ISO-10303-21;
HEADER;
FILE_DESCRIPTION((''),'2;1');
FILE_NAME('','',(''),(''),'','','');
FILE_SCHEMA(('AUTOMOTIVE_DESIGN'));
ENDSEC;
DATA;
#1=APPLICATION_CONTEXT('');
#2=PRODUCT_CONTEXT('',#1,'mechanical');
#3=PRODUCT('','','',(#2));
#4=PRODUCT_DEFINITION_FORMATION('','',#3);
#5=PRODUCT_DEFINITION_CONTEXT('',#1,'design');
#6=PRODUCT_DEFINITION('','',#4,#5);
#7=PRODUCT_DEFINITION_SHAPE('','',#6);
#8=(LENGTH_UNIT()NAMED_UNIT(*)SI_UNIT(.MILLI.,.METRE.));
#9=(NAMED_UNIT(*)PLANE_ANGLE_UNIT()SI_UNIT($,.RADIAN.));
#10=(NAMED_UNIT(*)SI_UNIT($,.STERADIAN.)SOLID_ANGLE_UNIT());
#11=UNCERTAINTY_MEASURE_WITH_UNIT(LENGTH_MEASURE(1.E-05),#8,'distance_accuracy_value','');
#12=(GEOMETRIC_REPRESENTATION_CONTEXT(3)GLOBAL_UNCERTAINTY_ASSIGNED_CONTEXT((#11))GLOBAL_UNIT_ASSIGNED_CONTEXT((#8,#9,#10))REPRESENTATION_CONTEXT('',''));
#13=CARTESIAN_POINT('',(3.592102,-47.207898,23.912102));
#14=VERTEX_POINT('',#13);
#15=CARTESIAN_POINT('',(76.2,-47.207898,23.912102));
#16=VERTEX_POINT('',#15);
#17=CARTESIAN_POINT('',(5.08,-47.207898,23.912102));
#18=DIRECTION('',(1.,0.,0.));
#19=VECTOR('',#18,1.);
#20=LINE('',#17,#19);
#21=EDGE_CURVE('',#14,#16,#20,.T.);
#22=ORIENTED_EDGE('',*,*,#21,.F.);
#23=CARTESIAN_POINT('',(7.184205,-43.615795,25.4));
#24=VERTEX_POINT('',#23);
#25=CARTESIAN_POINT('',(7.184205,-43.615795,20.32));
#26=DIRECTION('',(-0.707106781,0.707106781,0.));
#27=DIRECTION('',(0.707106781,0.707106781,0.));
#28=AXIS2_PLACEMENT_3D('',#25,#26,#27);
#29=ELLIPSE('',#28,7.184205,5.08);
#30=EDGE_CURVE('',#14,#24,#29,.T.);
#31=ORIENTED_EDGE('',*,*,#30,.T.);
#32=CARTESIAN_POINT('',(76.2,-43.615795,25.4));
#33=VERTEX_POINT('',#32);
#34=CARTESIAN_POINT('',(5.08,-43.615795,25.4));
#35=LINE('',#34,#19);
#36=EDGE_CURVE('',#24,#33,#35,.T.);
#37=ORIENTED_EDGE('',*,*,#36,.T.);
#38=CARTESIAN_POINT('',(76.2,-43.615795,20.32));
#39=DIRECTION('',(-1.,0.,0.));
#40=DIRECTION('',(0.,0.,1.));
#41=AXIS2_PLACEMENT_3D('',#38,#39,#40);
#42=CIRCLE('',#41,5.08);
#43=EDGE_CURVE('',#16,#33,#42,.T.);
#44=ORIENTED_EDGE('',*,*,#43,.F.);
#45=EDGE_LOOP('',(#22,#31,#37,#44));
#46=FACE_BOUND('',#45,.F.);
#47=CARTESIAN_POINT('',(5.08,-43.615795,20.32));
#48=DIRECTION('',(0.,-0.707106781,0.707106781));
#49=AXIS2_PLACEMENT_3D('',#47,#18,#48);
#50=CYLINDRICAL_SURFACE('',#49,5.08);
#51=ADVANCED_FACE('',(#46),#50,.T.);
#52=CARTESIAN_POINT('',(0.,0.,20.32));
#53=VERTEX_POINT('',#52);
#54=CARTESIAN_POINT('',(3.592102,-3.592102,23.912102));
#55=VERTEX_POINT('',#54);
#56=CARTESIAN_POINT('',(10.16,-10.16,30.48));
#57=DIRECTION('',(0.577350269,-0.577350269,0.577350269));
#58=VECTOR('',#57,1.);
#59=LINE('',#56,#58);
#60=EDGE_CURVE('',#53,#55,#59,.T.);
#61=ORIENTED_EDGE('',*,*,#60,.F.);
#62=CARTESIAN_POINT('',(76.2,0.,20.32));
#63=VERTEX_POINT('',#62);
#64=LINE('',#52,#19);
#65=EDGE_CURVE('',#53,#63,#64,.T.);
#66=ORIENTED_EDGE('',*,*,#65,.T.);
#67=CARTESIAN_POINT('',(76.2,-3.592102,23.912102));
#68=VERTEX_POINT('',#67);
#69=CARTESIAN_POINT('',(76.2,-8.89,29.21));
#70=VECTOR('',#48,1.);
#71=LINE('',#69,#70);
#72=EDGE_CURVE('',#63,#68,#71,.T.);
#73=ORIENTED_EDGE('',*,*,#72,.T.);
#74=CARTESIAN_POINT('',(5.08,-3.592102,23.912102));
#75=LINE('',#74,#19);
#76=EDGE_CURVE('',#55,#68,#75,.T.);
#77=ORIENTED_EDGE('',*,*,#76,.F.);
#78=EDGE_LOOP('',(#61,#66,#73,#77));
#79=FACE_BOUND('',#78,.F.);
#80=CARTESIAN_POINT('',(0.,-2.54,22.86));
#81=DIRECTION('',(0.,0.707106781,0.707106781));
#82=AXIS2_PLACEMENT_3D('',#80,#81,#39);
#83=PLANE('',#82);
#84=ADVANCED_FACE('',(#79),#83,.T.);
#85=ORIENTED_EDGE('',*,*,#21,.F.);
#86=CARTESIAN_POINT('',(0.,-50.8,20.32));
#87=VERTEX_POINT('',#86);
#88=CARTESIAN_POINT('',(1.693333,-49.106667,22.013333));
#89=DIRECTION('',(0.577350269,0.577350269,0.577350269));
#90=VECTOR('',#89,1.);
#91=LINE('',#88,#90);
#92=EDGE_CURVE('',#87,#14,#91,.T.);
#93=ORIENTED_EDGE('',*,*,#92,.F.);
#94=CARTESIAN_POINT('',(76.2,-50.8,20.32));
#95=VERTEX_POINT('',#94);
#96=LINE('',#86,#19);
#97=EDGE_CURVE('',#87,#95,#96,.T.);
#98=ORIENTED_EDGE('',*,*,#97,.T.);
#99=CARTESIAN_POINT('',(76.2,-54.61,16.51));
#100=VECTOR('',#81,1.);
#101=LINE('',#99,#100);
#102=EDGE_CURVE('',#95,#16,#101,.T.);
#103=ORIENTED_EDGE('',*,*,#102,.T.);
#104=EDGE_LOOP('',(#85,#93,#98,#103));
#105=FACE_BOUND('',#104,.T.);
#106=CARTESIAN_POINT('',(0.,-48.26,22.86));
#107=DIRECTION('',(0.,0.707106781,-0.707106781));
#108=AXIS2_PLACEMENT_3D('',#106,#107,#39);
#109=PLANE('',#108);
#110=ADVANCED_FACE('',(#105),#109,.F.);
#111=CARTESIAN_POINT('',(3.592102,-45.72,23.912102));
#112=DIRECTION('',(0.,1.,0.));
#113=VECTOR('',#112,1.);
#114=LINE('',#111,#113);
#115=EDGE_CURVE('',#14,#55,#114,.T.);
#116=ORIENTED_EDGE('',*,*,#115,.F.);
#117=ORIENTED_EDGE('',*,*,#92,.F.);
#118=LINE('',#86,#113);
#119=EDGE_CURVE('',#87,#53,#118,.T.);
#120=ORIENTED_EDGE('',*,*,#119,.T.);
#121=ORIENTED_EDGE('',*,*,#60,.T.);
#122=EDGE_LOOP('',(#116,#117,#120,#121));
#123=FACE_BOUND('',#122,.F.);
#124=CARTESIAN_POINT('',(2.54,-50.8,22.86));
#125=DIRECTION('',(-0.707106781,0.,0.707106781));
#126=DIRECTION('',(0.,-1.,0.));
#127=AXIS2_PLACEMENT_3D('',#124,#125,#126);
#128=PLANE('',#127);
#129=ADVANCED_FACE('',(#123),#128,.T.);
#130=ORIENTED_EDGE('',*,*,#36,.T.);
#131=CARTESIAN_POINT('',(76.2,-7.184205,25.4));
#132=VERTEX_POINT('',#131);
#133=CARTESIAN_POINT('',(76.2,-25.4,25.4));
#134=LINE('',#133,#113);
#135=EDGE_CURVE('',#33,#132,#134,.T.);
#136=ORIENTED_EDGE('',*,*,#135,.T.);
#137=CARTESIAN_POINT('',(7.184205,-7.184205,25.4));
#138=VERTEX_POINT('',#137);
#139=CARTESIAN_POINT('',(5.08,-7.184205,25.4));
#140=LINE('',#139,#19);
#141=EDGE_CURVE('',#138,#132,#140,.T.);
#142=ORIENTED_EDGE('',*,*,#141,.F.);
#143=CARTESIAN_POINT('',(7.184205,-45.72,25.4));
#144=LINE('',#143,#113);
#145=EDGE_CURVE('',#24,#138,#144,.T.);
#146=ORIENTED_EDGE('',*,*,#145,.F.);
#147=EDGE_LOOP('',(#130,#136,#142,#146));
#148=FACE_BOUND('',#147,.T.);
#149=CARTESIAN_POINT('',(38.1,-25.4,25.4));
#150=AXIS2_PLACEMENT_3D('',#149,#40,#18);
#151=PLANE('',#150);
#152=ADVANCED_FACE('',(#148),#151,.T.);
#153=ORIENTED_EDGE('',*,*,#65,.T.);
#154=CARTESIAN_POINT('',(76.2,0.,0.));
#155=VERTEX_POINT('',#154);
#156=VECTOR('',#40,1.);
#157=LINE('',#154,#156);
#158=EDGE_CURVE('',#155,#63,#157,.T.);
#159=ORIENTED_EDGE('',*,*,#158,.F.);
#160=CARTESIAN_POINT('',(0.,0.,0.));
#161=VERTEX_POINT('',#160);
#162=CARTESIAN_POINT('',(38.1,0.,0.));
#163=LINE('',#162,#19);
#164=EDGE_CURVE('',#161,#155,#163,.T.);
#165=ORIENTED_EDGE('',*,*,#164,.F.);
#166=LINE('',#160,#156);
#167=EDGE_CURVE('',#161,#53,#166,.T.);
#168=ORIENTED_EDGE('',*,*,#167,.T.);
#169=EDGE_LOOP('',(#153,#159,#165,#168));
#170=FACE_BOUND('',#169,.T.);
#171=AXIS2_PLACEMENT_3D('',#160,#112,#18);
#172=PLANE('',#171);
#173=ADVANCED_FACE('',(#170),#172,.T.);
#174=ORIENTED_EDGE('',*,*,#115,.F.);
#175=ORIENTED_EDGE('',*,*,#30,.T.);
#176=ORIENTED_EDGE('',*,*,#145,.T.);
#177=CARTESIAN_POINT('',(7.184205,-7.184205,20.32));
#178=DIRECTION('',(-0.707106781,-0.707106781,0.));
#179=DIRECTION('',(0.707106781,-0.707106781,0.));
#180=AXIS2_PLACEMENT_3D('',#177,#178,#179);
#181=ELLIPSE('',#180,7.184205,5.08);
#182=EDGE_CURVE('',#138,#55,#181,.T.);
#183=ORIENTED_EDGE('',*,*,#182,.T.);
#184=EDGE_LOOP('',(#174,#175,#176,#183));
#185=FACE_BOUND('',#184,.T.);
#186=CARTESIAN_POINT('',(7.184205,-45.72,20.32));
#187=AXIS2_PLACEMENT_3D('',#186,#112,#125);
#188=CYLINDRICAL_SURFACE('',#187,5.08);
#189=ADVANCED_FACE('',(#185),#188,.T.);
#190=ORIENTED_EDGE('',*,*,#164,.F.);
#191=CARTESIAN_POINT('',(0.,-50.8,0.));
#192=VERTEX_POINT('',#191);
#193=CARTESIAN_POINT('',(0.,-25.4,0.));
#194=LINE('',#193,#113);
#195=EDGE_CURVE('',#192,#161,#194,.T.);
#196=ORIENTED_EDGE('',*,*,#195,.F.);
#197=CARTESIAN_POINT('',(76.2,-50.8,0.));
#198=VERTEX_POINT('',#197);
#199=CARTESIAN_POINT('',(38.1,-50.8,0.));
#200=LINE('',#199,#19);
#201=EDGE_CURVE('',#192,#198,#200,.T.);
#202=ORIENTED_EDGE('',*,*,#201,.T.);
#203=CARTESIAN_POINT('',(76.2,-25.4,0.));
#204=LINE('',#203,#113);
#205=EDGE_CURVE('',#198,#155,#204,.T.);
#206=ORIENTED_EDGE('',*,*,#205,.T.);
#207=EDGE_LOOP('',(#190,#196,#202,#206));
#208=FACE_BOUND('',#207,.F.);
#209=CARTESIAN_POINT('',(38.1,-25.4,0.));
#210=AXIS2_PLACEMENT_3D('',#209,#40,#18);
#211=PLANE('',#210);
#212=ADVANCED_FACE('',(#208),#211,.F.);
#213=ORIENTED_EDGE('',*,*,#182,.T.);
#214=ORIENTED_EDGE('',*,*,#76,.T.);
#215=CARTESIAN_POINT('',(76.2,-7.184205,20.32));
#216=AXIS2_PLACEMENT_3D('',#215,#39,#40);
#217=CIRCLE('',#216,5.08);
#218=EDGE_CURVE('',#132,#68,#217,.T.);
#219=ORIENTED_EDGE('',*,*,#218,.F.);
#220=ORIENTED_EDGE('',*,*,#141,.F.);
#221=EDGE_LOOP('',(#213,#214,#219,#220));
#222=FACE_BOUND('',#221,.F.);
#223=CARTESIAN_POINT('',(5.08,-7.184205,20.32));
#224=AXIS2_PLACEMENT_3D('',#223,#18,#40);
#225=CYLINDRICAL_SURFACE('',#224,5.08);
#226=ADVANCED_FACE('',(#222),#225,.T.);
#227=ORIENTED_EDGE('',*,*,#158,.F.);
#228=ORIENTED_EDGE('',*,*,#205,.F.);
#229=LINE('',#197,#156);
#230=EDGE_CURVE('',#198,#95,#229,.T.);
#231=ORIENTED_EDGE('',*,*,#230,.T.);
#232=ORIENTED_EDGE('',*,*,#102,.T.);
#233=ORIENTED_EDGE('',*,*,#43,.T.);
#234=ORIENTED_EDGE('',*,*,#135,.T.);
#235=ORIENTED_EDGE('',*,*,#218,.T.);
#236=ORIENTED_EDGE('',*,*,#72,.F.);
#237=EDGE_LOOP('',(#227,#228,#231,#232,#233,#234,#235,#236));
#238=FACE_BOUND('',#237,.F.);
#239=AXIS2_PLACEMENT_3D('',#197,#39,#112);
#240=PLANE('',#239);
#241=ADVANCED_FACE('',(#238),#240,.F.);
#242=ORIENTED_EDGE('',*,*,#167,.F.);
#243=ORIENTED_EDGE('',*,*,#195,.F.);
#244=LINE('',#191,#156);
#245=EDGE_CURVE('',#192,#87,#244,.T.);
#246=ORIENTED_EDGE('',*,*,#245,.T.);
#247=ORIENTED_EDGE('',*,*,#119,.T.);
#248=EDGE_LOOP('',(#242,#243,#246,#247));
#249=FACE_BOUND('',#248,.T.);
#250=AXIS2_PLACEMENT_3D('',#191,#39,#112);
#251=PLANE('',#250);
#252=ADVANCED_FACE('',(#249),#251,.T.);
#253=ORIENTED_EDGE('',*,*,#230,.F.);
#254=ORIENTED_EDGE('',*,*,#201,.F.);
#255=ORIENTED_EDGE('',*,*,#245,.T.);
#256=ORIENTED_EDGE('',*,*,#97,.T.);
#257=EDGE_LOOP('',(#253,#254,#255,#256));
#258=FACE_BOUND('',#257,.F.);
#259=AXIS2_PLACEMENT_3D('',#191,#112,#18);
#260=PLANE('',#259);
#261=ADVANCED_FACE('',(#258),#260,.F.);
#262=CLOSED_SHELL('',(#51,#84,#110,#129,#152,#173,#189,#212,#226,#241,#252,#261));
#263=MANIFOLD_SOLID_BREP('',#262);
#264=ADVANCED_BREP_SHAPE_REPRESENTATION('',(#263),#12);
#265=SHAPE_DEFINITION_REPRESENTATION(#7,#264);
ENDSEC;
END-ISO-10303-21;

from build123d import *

# Parameters (mm, degrees)
F0_W     = 76.2
F0_H     = 50.8
F1_DEPTH = 25.4
F2_SIZE  = 5.08
F3_R     = 5.08


with BuildPart() as f1:
    # F0 (on Top) → F1 (new body)
    with BuildSketch(Plane.XY):
        with Locations((38.1, -25.4)):
            Rectangle(F0_W, F0_H)
    extrude(amount=F1_DEPTH)

    # F2
    f2_edges = [f1.edges().sort_by_distance(p)[0] for p in [
        (38.1, -50.8, 25.4),
        (0, -25.4, 25.4),
        (38.1, 0, 25.4),
    ]]
    chamfer(f2_edges, length=F2_SIZE)

    # F3
    f3_edges = [f1.edges().sort_by_distance(p)[0] for p in [
        (40.64, -5.08, 25.4),
        (5.08, -25.4, 25.4),
        (40.64, -45.72, 25.4),
    ]]
    fillet(f3_edges, radius=F3_R)


solid = f1.part
